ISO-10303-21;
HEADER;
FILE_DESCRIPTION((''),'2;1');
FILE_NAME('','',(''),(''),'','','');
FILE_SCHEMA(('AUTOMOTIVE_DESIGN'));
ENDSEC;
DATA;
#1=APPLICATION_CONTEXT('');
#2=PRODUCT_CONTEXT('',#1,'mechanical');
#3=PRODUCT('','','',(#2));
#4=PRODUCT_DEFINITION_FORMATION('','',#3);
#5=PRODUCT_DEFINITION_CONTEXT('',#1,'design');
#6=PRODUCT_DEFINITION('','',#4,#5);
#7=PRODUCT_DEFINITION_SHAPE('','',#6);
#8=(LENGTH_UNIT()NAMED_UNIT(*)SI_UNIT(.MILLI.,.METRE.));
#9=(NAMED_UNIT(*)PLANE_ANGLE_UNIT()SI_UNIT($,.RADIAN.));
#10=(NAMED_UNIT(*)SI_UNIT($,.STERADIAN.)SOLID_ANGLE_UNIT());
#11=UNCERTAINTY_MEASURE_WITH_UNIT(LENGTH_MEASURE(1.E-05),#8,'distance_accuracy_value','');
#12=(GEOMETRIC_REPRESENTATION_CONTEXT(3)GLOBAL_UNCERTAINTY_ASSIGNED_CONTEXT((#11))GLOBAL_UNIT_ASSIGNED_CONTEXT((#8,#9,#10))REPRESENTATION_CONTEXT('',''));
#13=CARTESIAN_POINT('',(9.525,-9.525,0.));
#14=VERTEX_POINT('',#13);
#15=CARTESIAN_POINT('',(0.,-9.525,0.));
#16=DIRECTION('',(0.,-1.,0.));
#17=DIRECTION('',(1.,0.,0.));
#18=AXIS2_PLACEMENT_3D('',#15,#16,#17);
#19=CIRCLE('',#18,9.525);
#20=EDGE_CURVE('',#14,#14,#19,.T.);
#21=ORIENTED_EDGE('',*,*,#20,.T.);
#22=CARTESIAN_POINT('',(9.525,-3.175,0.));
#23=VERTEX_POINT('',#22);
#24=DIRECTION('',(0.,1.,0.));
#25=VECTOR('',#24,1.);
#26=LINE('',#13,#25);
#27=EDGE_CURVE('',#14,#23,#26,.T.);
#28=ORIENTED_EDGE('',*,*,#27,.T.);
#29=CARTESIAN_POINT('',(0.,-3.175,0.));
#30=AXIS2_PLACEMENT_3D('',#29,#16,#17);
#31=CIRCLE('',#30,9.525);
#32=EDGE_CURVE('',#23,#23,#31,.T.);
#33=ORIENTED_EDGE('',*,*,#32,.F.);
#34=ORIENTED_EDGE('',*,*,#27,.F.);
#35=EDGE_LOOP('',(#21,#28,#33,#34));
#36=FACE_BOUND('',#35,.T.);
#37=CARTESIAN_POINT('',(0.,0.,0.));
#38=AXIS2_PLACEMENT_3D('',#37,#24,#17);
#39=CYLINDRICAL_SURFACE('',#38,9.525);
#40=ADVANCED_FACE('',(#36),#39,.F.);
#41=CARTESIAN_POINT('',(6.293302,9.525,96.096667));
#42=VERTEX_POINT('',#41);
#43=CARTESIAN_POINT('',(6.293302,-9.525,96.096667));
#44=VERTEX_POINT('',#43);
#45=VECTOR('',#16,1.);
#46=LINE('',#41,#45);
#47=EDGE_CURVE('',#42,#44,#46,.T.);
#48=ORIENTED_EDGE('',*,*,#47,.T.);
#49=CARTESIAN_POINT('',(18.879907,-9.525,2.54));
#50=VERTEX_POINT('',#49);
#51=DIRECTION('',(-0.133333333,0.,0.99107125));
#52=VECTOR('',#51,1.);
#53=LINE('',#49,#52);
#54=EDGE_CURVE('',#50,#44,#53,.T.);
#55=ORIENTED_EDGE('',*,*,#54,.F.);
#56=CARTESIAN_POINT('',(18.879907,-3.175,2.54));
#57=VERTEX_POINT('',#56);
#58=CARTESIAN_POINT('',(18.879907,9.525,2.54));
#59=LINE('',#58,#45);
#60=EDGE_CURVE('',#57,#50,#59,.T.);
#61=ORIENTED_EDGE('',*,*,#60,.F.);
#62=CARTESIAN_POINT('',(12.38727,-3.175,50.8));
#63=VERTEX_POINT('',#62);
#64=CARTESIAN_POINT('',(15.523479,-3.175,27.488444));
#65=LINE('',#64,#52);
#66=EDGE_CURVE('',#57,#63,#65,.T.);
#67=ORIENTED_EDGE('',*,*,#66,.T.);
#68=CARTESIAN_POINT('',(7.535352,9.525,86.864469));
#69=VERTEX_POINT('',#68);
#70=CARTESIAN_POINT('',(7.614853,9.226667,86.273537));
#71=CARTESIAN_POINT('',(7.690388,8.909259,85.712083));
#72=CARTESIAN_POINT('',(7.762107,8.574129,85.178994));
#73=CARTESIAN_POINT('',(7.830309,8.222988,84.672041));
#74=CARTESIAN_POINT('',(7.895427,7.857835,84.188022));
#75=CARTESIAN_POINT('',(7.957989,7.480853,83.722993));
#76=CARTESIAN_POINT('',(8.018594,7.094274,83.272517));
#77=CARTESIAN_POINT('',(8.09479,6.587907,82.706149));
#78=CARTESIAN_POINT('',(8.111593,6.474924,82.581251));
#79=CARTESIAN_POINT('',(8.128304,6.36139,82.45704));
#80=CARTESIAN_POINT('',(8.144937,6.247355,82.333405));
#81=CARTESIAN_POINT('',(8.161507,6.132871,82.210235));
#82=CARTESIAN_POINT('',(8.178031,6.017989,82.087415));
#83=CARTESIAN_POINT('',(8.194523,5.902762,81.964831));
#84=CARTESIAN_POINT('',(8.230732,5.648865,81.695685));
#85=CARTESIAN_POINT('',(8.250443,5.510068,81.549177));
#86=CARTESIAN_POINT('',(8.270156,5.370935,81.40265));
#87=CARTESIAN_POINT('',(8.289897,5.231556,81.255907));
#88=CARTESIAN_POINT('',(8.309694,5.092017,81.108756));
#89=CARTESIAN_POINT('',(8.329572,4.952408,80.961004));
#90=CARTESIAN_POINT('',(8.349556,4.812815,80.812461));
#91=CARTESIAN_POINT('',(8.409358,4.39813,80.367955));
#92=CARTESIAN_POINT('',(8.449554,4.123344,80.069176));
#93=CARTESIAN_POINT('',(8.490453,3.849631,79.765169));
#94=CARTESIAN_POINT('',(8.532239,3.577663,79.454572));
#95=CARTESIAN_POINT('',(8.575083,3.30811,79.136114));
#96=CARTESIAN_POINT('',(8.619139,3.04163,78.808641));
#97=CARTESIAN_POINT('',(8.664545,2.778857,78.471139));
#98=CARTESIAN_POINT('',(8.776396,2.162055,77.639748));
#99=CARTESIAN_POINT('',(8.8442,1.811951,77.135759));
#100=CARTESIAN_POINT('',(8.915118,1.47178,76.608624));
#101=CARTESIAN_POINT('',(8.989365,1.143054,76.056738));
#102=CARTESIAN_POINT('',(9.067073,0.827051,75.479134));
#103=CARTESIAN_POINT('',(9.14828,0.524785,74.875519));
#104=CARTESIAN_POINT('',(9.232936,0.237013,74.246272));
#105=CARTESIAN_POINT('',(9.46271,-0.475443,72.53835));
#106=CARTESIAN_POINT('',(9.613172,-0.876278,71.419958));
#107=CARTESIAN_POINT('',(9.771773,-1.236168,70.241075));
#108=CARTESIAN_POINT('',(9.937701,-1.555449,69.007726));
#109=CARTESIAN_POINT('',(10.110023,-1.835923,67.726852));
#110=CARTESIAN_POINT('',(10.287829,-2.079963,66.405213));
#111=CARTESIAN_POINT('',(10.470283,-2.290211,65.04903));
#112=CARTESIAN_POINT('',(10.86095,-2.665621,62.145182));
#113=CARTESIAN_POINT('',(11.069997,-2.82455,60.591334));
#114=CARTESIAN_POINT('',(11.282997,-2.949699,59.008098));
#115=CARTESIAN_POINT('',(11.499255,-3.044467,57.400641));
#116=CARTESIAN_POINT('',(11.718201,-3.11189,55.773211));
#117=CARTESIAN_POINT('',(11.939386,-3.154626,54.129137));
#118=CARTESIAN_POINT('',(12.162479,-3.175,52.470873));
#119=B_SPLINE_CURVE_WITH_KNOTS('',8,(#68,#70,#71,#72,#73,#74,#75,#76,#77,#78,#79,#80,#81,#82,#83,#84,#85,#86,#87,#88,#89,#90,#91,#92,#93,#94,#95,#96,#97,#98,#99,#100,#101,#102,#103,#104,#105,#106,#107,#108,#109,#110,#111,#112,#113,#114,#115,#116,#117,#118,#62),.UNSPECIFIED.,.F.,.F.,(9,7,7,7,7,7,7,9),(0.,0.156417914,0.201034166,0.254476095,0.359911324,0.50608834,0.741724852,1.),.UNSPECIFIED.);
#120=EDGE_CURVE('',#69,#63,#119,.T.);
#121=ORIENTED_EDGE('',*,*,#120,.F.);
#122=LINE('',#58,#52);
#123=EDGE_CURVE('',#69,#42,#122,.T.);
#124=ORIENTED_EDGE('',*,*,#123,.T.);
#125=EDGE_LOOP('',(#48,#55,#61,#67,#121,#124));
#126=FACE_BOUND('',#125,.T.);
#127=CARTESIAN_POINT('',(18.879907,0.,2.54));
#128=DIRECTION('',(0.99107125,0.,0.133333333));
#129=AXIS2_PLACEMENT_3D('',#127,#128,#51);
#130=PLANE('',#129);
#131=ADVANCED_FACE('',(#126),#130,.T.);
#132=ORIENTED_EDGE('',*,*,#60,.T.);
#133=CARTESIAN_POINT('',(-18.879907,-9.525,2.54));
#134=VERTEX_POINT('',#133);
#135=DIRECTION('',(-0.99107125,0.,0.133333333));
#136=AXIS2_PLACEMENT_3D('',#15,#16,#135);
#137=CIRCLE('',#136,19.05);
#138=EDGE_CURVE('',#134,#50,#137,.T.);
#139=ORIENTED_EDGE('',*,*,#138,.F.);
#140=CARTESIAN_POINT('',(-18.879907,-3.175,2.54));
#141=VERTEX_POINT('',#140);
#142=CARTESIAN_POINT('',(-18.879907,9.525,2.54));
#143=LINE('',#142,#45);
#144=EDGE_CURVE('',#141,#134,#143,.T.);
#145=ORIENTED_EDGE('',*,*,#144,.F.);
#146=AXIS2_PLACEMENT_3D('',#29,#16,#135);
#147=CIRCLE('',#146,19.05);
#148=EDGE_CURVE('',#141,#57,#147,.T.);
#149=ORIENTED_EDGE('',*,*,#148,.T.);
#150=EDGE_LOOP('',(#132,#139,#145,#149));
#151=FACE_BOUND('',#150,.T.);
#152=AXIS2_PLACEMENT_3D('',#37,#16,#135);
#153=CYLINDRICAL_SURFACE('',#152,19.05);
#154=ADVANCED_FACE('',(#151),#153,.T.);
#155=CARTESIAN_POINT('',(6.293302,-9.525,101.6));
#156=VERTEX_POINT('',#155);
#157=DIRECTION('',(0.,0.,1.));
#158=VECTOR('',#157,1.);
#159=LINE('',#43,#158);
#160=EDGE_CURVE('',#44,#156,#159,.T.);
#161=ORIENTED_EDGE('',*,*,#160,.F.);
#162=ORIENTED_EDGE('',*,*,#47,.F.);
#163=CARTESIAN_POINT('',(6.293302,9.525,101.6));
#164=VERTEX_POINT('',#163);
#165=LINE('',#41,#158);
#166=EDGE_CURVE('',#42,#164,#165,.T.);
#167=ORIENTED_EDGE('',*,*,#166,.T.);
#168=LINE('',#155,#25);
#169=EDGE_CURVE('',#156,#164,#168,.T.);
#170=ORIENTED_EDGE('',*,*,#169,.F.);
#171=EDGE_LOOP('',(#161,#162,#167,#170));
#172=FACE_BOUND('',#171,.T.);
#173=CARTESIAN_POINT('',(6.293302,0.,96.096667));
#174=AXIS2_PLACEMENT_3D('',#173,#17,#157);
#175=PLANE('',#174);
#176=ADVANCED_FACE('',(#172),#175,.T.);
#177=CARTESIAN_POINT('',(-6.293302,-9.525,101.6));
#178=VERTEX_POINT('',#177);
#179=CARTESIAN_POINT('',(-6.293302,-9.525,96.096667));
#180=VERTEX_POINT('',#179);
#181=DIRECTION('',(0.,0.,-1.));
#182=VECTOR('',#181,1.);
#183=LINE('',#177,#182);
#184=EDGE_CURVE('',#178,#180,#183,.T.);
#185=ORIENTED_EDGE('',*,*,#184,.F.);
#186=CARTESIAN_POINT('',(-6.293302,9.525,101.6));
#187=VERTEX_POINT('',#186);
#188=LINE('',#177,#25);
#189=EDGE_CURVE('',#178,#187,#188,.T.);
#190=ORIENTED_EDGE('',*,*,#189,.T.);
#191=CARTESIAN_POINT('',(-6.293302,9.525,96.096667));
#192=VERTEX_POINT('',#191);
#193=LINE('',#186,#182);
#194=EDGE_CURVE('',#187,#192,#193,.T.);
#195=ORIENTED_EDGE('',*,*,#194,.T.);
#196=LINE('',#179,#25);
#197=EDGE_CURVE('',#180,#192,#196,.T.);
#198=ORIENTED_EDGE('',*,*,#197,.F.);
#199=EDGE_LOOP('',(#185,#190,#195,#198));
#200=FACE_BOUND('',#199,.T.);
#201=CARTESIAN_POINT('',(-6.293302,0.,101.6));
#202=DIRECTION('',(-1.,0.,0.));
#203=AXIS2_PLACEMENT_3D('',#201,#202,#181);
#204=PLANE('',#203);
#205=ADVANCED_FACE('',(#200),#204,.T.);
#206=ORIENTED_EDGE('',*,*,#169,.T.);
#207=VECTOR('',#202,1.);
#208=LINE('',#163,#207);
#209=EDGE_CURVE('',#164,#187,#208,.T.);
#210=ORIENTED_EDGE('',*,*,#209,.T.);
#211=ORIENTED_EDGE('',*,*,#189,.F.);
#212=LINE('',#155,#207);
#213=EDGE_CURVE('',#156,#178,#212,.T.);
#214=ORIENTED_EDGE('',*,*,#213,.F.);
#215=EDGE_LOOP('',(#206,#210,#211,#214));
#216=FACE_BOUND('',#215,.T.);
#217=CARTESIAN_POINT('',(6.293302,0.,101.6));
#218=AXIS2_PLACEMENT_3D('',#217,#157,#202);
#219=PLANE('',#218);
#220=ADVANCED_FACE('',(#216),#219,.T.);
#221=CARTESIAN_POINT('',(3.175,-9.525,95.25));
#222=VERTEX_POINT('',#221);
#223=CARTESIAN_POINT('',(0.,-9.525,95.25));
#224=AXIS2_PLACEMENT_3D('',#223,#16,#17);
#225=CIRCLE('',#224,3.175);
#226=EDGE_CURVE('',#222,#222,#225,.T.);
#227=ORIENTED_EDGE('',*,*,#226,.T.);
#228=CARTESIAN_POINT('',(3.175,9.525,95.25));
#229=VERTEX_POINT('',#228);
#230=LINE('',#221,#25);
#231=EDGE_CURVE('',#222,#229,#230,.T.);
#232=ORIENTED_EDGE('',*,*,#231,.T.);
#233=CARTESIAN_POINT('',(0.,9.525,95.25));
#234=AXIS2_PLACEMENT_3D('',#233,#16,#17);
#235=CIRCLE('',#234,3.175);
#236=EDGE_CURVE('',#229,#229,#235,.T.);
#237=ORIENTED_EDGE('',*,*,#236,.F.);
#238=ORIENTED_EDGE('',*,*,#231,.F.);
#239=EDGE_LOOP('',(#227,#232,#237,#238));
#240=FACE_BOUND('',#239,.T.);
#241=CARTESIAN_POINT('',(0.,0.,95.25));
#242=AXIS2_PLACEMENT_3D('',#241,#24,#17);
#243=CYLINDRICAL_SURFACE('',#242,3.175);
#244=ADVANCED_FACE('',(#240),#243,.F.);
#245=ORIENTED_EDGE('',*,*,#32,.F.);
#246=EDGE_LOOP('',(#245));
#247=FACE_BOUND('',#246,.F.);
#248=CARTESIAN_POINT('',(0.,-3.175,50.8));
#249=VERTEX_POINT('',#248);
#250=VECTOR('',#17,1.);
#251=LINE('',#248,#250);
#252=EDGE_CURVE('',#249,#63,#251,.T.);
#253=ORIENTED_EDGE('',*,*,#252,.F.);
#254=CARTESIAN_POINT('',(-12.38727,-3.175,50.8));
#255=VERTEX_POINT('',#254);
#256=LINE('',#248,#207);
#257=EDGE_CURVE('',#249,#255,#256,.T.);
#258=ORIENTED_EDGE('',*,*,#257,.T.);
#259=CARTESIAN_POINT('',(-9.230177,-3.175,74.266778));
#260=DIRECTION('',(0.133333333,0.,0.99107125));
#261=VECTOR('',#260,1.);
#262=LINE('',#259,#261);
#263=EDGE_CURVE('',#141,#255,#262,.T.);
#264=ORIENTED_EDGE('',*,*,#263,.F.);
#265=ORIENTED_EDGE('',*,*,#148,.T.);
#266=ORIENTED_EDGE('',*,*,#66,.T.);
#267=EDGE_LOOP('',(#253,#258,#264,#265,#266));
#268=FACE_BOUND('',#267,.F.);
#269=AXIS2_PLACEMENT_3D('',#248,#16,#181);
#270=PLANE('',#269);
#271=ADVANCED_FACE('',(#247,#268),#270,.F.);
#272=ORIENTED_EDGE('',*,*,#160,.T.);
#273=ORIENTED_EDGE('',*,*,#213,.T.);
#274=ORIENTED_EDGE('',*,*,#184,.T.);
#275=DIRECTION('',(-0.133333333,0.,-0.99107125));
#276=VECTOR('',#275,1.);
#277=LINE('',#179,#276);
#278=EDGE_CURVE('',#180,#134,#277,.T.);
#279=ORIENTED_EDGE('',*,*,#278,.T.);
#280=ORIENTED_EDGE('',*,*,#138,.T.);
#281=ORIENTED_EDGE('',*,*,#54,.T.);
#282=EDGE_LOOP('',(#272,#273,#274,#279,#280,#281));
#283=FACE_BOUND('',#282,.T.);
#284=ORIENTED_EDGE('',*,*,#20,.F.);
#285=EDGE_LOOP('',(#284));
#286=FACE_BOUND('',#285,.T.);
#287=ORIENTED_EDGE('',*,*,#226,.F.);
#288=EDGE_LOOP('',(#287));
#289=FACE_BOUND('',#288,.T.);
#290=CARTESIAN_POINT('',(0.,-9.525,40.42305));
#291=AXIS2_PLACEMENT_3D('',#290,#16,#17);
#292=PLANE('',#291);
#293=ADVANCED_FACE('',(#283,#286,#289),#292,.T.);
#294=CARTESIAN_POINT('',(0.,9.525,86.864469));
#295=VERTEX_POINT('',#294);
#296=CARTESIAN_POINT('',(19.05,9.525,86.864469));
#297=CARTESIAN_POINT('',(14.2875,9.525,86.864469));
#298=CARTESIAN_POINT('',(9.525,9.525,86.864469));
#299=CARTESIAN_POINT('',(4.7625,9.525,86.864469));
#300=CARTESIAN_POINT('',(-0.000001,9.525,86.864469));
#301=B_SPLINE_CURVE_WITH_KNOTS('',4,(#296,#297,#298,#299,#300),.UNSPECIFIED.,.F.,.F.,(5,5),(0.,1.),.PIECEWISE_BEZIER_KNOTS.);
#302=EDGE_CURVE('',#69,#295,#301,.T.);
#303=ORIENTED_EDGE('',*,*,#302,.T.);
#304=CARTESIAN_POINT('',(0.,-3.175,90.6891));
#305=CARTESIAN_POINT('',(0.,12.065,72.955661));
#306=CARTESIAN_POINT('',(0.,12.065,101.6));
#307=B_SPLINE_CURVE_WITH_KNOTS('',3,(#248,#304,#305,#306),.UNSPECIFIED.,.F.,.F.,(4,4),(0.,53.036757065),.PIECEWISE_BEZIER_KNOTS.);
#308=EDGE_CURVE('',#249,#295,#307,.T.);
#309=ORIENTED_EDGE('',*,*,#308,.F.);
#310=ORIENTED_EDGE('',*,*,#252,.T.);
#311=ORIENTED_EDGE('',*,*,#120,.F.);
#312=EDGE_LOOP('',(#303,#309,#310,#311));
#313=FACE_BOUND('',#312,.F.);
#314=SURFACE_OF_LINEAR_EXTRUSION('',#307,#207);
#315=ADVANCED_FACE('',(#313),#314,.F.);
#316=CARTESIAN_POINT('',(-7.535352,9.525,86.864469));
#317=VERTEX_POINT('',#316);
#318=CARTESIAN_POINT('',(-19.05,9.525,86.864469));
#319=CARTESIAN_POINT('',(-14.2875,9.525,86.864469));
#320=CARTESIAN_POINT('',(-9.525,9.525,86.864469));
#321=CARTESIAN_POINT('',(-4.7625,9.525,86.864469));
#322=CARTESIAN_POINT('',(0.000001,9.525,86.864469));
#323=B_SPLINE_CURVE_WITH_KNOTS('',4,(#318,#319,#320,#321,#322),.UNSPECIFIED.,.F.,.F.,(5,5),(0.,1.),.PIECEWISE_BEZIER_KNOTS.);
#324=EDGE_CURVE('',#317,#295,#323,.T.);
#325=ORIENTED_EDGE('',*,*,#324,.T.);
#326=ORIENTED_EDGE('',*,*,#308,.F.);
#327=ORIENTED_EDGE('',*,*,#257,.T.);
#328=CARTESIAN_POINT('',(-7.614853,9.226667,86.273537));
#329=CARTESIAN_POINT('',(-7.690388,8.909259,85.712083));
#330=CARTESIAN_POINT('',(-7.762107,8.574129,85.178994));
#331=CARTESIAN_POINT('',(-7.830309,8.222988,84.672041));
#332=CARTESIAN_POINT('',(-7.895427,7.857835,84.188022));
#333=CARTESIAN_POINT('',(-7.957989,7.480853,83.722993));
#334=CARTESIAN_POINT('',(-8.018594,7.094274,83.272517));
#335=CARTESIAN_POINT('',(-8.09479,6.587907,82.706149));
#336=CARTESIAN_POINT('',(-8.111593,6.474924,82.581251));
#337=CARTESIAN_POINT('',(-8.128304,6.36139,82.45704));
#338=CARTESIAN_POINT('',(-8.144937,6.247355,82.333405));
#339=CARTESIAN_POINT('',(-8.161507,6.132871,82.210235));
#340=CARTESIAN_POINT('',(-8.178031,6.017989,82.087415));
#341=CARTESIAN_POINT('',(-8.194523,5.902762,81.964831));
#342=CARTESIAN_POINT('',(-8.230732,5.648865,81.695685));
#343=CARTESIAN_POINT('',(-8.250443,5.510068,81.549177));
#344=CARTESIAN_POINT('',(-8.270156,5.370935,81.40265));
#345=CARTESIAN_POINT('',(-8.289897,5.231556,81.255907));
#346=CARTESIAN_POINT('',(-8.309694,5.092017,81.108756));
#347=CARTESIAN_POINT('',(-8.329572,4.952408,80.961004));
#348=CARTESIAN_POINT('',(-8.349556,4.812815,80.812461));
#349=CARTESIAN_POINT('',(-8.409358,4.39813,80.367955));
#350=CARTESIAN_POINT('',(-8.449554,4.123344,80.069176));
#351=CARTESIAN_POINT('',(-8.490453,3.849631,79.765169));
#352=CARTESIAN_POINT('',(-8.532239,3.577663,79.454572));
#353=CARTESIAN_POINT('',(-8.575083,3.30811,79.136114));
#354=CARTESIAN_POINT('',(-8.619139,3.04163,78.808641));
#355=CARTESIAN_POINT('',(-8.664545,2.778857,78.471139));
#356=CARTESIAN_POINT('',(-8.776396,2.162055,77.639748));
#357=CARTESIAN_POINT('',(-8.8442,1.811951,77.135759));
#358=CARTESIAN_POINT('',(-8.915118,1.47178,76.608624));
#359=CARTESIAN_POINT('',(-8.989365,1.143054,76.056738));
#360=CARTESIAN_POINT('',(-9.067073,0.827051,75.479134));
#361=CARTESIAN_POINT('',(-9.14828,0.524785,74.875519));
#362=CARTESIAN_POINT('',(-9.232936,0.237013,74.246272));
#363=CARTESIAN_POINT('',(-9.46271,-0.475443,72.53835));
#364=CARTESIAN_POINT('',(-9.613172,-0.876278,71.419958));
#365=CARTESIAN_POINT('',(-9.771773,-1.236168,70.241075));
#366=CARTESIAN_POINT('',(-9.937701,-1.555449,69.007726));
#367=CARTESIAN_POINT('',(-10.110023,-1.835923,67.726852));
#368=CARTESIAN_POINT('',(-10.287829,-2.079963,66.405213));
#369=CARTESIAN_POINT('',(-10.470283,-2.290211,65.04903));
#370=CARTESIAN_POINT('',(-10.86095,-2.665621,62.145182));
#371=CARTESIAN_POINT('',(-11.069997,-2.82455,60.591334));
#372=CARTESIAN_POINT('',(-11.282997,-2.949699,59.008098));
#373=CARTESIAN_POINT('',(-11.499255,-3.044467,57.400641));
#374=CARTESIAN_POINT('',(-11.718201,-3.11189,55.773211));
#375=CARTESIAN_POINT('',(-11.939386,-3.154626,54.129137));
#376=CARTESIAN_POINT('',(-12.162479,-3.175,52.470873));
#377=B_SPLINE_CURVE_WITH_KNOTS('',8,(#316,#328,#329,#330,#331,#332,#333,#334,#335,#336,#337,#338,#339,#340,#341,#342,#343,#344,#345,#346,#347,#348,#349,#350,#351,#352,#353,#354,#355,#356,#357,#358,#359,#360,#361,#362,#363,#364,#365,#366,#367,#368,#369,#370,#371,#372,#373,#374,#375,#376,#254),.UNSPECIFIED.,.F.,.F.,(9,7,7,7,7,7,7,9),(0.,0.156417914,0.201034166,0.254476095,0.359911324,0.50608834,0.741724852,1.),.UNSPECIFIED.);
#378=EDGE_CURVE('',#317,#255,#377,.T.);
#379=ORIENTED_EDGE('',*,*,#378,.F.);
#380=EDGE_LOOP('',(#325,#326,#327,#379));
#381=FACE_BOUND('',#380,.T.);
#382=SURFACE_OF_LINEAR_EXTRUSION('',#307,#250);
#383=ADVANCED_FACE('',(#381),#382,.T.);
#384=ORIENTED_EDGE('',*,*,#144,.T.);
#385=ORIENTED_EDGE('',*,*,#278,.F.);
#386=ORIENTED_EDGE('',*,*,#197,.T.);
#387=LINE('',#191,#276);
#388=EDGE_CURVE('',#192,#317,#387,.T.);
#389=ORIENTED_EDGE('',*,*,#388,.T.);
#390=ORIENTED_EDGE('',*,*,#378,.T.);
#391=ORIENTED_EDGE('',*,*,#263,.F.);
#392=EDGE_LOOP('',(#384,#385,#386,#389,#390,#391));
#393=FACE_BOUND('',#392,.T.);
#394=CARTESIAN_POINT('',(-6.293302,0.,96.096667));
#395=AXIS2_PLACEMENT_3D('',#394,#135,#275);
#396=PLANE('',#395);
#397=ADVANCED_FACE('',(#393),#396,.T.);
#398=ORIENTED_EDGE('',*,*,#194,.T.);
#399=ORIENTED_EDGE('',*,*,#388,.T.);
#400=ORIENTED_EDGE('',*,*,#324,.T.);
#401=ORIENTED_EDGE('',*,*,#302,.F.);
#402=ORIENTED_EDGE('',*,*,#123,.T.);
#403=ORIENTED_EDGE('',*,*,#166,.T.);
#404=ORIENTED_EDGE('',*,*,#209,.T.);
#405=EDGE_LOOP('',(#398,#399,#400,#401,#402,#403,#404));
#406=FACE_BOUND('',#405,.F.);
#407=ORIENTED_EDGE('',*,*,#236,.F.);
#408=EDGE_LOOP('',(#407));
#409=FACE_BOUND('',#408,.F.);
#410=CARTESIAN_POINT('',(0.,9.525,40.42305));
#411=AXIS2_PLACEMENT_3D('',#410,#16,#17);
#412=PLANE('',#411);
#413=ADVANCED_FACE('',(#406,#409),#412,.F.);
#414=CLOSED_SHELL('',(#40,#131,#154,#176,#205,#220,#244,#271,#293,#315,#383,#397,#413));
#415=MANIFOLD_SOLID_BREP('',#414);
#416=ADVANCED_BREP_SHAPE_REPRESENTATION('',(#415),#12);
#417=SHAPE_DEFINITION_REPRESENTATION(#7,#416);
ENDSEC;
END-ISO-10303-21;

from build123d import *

# Parameters (mm, degrees)
F0_R          = 9.525
F0_R_2        = 3.175
F1_DEPTH      = 9.525
F3_DEPTH      = 19.051
F3_DEPTH_BACK = 25.4


with BuildPart() as f1:
    # F0 (on Front) → F1 (new body, symmetric)
    with BuildSketch(Plane.XZ):
        with BuildLine():
            Line((-6.2933024364, 96.0966666667), (-18.8799073091, 2.54))
            ThreePointArc((-18.8799073091, 2.54), (0, -19.05), (18.8799073091, 2.54))
            Line((18.8799073091, 2.54), (6.2933024364, 96.0966666667))
            Line((6.2933024364, 96.0966666667), (6.2933024364, 101.6))
            Line((6.2933024364, 101.6), (-6.2933024364, 101.6))
            Line((-6.2933024364, 101.6), (-6.2933024364, 96.0966666667))
        make_face()
        Circle(F0_R, mode=Mode.SUBTRACT)
        with Locations((0, 95.25)):
            Circle(F0_R_2, mode=Mode.SUBTRACT)
    extrude(amount=F1_DEPTH, both=True)

    # F2 (on Right) → F3 (cut, two sides)
    with BuildSketch(Plane.YZ) as f3_sk:
        with BuildLine():
            add(Edge.make_bspline(
                [(-3.175, 50.8), (-3.175, 90.6891003251), (12.065, 72.955660522), (12.065, 101.6)],
                knots=[0, 0, 0, 0, 53.0367570653, 53.0367570653, 53.0367570653, 53.0367570653], degree=3))
            Line((-3.175, 50.8), (12.065, 50.8))
            Line((12.065, 50.8), (12.065, 101.6))
        make_face()
        Polygon((12.065, 50.8), (-3.175, 50.8), (-3.175, 0), (-3.175, -21.7861142009), (12.065, -21.7861142009), align=None)
    extrude(amount=-F3_DEPTH, mode=Mode.SUBTRACT)
    extrude(f3_sk.sketch, amount=F3_DEPTH_BACK, mode=Mode.SUBTRACT)


solid = f1.part
